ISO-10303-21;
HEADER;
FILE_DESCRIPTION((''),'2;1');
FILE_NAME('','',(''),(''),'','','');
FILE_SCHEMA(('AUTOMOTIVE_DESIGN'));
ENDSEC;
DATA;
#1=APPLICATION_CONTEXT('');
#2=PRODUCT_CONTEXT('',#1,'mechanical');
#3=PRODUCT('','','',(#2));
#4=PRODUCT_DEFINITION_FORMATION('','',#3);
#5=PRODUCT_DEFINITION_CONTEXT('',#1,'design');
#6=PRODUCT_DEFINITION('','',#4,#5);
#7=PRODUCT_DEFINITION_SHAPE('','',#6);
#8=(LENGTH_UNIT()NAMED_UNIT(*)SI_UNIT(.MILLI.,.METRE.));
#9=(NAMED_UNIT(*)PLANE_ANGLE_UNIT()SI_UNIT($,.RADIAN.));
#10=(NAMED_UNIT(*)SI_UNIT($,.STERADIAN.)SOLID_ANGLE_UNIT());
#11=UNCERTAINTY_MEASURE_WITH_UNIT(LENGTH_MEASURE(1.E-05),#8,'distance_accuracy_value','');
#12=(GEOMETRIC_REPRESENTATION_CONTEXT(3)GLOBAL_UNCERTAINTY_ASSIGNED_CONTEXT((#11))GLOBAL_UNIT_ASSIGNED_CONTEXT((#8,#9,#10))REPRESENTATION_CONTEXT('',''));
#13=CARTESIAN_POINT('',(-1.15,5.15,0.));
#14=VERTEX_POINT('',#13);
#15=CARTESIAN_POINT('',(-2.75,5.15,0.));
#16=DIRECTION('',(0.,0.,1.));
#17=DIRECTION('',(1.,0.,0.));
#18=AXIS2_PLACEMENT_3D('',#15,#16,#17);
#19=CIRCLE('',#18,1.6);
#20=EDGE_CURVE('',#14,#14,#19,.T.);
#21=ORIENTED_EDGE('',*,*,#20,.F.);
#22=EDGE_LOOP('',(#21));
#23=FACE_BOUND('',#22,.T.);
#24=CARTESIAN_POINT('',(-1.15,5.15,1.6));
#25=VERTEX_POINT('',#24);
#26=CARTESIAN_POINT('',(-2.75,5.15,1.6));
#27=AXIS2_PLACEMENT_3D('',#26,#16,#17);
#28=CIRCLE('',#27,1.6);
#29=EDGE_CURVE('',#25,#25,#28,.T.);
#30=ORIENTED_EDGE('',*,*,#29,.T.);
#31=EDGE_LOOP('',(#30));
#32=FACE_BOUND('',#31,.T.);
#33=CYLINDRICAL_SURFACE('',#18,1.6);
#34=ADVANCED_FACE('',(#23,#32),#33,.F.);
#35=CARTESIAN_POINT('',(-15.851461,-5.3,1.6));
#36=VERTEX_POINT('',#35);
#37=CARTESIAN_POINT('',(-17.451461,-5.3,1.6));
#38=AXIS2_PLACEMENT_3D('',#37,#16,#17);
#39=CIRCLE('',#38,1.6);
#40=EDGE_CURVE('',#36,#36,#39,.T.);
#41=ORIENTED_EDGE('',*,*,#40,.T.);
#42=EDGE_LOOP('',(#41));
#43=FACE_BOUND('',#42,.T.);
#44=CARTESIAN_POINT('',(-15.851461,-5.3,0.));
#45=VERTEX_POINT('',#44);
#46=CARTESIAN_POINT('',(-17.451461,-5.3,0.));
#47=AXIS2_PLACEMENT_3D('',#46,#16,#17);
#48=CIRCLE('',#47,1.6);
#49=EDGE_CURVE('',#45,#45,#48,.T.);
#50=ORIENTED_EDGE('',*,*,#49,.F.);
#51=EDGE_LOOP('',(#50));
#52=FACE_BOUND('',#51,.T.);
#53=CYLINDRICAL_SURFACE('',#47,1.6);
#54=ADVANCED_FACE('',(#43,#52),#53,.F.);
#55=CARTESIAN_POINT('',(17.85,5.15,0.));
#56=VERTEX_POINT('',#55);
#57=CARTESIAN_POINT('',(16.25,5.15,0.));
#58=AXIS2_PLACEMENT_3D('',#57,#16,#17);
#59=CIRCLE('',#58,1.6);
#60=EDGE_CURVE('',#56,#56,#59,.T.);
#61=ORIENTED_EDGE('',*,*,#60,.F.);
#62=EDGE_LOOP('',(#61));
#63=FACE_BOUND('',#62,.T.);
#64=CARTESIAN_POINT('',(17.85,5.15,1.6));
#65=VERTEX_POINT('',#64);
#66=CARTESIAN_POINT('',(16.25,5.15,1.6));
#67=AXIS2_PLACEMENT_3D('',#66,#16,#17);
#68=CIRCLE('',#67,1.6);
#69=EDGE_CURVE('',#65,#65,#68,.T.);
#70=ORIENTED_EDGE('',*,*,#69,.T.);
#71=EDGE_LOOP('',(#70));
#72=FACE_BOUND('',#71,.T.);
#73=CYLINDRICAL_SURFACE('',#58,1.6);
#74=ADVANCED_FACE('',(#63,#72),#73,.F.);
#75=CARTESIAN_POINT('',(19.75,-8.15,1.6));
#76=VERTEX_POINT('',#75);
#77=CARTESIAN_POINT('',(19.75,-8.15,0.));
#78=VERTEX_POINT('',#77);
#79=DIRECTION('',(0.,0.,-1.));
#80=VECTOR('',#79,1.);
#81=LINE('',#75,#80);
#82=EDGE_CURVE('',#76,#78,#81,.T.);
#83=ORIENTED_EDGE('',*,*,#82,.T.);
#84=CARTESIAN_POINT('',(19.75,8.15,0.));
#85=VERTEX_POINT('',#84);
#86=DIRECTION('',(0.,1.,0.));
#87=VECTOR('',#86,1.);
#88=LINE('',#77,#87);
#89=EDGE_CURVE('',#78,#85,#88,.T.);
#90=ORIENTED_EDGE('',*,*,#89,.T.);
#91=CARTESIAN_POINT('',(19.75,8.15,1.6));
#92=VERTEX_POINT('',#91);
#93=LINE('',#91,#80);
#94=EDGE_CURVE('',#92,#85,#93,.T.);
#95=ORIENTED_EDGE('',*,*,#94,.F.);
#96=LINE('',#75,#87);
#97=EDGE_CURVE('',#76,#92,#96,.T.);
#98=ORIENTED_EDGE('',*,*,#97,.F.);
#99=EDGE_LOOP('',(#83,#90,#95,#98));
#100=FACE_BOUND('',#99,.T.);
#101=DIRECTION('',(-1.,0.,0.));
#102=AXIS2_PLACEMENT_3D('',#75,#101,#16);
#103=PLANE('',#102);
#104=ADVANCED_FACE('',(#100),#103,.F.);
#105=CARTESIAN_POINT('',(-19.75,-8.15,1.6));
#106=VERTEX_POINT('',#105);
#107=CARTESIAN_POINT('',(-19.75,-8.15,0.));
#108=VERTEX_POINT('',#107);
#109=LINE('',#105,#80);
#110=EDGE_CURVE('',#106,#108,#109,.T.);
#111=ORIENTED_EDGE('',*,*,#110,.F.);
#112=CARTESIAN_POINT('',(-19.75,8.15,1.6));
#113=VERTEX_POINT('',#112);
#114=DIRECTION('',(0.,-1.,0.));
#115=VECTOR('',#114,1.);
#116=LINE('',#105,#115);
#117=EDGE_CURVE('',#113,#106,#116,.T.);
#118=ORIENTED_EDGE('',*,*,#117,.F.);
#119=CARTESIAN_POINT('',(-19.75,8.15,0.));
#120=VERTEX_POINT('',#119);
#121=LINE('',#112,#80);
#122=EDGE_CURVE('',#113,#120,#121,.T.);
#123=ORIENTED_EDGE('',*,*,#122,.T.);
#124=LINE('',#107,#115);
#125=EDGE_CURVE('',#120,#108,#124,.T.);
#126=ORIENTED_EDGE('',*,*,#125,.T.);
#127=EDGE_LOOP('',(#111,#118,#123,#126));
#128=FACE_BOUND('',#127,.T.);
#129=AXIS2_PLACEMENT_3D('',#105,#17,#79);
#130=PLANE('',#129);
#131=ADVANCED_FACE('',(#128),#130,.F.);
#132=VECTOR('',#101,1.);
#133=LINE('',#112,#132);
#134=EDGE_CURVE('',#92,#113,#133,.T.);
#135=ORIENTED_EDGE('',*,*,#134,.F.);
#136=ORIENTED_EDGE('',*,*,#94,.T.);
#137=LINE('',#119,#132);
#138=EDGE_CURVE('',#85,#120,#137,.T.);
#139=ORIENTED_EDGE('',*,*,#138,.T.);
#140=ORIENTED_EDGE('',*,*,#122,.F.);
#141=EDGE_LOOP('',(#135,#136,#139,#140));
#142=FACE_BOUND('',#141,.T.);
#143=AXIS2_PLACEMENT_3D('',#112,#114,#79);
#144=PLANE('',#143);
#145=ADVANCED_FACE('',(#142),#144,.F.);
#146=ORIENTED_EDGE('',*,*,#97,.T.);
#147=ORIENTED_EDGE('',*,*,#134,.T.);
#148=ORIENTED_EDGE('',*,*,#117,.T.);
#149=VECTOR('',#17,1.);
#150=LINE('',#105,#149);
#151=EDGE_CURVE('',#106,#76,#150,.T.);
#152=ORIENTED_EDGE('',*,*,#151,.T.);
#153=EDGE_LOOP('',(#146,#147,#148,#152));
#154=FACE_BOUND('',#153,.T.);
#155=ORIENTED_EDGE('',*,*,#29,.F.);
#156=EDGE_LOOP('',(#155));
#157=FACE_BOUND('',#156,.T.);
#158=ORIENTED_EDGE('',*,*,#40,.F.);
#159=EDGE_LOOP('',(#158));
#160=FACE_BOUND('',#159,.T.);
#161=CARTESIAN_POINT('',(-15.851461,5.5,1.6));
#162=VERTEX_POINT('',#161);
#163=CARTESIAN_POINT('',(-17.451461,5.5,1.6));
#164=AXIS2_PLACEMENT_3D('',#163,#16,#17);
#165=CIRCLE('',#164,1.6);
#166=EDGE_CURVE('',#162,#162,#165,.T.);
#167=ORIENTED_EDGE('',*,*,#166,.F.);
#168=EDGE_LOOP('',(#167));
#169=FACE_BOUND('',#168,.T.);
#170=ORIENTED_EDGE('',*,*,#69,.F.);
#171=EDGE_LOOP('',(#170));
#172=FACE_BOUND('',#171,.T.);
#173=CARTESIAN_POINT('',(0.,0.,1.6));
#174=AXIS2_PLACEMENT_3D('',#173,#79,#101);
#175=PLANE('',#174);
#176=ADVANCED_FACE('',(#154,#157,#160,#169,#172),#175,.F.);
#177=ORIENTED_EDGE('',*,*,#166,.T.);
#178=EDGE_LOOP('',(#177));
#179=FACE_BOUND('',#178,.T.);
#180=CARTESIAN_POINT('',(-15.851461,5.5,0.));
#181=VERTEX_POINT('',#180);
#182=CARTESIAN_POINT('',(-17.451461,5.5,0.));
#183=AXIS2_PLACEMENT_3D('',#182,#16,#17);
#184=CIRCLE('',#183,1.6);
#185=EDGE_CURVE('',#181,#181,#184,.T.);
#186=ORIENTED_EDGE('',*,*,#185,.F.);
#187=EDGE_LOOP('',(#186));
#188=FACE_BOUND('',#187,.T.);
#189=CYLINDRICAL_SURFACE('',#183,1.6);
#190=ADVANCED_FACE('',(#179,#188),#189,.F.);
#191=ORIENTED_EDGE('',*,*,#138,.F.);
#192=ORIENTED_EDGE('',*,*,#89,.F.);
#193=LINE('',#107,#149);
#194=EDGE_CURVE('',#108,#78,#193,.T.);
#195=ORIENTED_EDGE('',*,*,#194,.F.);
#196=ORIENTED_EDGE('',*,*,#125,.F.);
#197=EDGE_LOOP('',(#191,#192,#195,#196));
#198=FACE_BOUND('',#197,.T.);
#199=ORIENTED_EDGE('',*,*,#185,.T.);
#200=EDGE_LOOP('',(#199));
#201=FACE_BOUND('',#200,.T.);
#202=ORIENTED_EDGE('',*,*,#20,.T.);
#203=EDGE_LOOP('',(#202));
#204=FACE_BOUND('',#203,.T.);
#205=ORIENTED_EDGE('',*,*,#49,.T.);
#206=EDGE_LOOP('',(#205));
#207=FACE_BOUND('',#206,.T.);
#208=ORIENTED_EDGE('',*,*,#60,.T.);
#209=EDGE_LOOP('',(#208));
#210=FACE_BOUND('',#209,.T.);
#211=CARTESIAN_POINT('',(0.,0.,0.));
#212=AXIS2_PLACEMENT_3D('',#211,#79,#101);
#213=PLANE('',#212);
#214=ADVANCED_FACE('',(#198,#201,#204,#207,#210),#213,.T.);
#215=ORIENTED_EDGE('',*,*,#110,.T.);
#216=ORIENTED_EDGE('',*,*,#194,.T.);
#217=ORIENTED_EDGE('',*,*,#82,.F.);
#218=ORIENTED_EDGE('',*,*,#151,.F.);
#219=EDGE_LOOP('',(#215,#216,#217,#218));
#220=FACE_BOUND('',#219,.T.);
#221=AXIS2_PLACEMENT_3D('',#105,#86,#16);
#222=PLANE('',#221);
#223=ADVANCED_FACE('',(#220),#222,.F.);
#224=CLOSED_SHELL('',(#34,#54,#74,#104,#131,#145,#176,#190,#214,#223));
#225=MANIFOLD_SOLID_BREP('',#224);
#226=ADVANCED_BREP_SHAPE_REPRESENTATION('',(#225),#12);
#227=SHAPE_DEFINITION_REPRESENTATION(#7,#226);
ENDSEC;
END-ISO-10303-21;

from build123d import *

# Parameters (mm, degrees)
SCHIZZO1_W                   = 39.5
SCHIZZO1_H                   = 16.3
ESTRUSIONE_ESTRUSIONE1_DEPTH = 1.6
SCHIZZO2_R                   = 1.6
TAGLIO_ESTRUSIONE1_DEPTH     = 2.6


with BuildPart() as part:
    # Schizzo1 → Estrusione-Estrusione1 (new body)
    with BuildSketch(Plane.XY):
        Rectangle(SCHIZZO1_W, SCHIZZO1_H)
    extrude(amount=ESTRUSIONE_ESTRUSIONE1_DEPTH)

    # Schizzo2 → Taglio-Estrusione1 (cut, through all)
    with BuildSketch(Plane.XY.offset(1.6)):
        with Locations((-2.75, 5.15)):
            Circle(SCHIZZO2_R)
        with Locations((16.25, 5.15)):
            Circle(SCHIZZO2_R)
        with Locations((-17.451461021, 5.5)):
            Circle(SCHIZZO2_R)
        with Locations((-17.451461021, -5.3)):
            Circle(SCHIZZO2_R)
    extrude(amount=-TAGLIO_ESTRUSIONE1_DEPTH, mode=Mode.SUBTRACT)


solid = part.part
